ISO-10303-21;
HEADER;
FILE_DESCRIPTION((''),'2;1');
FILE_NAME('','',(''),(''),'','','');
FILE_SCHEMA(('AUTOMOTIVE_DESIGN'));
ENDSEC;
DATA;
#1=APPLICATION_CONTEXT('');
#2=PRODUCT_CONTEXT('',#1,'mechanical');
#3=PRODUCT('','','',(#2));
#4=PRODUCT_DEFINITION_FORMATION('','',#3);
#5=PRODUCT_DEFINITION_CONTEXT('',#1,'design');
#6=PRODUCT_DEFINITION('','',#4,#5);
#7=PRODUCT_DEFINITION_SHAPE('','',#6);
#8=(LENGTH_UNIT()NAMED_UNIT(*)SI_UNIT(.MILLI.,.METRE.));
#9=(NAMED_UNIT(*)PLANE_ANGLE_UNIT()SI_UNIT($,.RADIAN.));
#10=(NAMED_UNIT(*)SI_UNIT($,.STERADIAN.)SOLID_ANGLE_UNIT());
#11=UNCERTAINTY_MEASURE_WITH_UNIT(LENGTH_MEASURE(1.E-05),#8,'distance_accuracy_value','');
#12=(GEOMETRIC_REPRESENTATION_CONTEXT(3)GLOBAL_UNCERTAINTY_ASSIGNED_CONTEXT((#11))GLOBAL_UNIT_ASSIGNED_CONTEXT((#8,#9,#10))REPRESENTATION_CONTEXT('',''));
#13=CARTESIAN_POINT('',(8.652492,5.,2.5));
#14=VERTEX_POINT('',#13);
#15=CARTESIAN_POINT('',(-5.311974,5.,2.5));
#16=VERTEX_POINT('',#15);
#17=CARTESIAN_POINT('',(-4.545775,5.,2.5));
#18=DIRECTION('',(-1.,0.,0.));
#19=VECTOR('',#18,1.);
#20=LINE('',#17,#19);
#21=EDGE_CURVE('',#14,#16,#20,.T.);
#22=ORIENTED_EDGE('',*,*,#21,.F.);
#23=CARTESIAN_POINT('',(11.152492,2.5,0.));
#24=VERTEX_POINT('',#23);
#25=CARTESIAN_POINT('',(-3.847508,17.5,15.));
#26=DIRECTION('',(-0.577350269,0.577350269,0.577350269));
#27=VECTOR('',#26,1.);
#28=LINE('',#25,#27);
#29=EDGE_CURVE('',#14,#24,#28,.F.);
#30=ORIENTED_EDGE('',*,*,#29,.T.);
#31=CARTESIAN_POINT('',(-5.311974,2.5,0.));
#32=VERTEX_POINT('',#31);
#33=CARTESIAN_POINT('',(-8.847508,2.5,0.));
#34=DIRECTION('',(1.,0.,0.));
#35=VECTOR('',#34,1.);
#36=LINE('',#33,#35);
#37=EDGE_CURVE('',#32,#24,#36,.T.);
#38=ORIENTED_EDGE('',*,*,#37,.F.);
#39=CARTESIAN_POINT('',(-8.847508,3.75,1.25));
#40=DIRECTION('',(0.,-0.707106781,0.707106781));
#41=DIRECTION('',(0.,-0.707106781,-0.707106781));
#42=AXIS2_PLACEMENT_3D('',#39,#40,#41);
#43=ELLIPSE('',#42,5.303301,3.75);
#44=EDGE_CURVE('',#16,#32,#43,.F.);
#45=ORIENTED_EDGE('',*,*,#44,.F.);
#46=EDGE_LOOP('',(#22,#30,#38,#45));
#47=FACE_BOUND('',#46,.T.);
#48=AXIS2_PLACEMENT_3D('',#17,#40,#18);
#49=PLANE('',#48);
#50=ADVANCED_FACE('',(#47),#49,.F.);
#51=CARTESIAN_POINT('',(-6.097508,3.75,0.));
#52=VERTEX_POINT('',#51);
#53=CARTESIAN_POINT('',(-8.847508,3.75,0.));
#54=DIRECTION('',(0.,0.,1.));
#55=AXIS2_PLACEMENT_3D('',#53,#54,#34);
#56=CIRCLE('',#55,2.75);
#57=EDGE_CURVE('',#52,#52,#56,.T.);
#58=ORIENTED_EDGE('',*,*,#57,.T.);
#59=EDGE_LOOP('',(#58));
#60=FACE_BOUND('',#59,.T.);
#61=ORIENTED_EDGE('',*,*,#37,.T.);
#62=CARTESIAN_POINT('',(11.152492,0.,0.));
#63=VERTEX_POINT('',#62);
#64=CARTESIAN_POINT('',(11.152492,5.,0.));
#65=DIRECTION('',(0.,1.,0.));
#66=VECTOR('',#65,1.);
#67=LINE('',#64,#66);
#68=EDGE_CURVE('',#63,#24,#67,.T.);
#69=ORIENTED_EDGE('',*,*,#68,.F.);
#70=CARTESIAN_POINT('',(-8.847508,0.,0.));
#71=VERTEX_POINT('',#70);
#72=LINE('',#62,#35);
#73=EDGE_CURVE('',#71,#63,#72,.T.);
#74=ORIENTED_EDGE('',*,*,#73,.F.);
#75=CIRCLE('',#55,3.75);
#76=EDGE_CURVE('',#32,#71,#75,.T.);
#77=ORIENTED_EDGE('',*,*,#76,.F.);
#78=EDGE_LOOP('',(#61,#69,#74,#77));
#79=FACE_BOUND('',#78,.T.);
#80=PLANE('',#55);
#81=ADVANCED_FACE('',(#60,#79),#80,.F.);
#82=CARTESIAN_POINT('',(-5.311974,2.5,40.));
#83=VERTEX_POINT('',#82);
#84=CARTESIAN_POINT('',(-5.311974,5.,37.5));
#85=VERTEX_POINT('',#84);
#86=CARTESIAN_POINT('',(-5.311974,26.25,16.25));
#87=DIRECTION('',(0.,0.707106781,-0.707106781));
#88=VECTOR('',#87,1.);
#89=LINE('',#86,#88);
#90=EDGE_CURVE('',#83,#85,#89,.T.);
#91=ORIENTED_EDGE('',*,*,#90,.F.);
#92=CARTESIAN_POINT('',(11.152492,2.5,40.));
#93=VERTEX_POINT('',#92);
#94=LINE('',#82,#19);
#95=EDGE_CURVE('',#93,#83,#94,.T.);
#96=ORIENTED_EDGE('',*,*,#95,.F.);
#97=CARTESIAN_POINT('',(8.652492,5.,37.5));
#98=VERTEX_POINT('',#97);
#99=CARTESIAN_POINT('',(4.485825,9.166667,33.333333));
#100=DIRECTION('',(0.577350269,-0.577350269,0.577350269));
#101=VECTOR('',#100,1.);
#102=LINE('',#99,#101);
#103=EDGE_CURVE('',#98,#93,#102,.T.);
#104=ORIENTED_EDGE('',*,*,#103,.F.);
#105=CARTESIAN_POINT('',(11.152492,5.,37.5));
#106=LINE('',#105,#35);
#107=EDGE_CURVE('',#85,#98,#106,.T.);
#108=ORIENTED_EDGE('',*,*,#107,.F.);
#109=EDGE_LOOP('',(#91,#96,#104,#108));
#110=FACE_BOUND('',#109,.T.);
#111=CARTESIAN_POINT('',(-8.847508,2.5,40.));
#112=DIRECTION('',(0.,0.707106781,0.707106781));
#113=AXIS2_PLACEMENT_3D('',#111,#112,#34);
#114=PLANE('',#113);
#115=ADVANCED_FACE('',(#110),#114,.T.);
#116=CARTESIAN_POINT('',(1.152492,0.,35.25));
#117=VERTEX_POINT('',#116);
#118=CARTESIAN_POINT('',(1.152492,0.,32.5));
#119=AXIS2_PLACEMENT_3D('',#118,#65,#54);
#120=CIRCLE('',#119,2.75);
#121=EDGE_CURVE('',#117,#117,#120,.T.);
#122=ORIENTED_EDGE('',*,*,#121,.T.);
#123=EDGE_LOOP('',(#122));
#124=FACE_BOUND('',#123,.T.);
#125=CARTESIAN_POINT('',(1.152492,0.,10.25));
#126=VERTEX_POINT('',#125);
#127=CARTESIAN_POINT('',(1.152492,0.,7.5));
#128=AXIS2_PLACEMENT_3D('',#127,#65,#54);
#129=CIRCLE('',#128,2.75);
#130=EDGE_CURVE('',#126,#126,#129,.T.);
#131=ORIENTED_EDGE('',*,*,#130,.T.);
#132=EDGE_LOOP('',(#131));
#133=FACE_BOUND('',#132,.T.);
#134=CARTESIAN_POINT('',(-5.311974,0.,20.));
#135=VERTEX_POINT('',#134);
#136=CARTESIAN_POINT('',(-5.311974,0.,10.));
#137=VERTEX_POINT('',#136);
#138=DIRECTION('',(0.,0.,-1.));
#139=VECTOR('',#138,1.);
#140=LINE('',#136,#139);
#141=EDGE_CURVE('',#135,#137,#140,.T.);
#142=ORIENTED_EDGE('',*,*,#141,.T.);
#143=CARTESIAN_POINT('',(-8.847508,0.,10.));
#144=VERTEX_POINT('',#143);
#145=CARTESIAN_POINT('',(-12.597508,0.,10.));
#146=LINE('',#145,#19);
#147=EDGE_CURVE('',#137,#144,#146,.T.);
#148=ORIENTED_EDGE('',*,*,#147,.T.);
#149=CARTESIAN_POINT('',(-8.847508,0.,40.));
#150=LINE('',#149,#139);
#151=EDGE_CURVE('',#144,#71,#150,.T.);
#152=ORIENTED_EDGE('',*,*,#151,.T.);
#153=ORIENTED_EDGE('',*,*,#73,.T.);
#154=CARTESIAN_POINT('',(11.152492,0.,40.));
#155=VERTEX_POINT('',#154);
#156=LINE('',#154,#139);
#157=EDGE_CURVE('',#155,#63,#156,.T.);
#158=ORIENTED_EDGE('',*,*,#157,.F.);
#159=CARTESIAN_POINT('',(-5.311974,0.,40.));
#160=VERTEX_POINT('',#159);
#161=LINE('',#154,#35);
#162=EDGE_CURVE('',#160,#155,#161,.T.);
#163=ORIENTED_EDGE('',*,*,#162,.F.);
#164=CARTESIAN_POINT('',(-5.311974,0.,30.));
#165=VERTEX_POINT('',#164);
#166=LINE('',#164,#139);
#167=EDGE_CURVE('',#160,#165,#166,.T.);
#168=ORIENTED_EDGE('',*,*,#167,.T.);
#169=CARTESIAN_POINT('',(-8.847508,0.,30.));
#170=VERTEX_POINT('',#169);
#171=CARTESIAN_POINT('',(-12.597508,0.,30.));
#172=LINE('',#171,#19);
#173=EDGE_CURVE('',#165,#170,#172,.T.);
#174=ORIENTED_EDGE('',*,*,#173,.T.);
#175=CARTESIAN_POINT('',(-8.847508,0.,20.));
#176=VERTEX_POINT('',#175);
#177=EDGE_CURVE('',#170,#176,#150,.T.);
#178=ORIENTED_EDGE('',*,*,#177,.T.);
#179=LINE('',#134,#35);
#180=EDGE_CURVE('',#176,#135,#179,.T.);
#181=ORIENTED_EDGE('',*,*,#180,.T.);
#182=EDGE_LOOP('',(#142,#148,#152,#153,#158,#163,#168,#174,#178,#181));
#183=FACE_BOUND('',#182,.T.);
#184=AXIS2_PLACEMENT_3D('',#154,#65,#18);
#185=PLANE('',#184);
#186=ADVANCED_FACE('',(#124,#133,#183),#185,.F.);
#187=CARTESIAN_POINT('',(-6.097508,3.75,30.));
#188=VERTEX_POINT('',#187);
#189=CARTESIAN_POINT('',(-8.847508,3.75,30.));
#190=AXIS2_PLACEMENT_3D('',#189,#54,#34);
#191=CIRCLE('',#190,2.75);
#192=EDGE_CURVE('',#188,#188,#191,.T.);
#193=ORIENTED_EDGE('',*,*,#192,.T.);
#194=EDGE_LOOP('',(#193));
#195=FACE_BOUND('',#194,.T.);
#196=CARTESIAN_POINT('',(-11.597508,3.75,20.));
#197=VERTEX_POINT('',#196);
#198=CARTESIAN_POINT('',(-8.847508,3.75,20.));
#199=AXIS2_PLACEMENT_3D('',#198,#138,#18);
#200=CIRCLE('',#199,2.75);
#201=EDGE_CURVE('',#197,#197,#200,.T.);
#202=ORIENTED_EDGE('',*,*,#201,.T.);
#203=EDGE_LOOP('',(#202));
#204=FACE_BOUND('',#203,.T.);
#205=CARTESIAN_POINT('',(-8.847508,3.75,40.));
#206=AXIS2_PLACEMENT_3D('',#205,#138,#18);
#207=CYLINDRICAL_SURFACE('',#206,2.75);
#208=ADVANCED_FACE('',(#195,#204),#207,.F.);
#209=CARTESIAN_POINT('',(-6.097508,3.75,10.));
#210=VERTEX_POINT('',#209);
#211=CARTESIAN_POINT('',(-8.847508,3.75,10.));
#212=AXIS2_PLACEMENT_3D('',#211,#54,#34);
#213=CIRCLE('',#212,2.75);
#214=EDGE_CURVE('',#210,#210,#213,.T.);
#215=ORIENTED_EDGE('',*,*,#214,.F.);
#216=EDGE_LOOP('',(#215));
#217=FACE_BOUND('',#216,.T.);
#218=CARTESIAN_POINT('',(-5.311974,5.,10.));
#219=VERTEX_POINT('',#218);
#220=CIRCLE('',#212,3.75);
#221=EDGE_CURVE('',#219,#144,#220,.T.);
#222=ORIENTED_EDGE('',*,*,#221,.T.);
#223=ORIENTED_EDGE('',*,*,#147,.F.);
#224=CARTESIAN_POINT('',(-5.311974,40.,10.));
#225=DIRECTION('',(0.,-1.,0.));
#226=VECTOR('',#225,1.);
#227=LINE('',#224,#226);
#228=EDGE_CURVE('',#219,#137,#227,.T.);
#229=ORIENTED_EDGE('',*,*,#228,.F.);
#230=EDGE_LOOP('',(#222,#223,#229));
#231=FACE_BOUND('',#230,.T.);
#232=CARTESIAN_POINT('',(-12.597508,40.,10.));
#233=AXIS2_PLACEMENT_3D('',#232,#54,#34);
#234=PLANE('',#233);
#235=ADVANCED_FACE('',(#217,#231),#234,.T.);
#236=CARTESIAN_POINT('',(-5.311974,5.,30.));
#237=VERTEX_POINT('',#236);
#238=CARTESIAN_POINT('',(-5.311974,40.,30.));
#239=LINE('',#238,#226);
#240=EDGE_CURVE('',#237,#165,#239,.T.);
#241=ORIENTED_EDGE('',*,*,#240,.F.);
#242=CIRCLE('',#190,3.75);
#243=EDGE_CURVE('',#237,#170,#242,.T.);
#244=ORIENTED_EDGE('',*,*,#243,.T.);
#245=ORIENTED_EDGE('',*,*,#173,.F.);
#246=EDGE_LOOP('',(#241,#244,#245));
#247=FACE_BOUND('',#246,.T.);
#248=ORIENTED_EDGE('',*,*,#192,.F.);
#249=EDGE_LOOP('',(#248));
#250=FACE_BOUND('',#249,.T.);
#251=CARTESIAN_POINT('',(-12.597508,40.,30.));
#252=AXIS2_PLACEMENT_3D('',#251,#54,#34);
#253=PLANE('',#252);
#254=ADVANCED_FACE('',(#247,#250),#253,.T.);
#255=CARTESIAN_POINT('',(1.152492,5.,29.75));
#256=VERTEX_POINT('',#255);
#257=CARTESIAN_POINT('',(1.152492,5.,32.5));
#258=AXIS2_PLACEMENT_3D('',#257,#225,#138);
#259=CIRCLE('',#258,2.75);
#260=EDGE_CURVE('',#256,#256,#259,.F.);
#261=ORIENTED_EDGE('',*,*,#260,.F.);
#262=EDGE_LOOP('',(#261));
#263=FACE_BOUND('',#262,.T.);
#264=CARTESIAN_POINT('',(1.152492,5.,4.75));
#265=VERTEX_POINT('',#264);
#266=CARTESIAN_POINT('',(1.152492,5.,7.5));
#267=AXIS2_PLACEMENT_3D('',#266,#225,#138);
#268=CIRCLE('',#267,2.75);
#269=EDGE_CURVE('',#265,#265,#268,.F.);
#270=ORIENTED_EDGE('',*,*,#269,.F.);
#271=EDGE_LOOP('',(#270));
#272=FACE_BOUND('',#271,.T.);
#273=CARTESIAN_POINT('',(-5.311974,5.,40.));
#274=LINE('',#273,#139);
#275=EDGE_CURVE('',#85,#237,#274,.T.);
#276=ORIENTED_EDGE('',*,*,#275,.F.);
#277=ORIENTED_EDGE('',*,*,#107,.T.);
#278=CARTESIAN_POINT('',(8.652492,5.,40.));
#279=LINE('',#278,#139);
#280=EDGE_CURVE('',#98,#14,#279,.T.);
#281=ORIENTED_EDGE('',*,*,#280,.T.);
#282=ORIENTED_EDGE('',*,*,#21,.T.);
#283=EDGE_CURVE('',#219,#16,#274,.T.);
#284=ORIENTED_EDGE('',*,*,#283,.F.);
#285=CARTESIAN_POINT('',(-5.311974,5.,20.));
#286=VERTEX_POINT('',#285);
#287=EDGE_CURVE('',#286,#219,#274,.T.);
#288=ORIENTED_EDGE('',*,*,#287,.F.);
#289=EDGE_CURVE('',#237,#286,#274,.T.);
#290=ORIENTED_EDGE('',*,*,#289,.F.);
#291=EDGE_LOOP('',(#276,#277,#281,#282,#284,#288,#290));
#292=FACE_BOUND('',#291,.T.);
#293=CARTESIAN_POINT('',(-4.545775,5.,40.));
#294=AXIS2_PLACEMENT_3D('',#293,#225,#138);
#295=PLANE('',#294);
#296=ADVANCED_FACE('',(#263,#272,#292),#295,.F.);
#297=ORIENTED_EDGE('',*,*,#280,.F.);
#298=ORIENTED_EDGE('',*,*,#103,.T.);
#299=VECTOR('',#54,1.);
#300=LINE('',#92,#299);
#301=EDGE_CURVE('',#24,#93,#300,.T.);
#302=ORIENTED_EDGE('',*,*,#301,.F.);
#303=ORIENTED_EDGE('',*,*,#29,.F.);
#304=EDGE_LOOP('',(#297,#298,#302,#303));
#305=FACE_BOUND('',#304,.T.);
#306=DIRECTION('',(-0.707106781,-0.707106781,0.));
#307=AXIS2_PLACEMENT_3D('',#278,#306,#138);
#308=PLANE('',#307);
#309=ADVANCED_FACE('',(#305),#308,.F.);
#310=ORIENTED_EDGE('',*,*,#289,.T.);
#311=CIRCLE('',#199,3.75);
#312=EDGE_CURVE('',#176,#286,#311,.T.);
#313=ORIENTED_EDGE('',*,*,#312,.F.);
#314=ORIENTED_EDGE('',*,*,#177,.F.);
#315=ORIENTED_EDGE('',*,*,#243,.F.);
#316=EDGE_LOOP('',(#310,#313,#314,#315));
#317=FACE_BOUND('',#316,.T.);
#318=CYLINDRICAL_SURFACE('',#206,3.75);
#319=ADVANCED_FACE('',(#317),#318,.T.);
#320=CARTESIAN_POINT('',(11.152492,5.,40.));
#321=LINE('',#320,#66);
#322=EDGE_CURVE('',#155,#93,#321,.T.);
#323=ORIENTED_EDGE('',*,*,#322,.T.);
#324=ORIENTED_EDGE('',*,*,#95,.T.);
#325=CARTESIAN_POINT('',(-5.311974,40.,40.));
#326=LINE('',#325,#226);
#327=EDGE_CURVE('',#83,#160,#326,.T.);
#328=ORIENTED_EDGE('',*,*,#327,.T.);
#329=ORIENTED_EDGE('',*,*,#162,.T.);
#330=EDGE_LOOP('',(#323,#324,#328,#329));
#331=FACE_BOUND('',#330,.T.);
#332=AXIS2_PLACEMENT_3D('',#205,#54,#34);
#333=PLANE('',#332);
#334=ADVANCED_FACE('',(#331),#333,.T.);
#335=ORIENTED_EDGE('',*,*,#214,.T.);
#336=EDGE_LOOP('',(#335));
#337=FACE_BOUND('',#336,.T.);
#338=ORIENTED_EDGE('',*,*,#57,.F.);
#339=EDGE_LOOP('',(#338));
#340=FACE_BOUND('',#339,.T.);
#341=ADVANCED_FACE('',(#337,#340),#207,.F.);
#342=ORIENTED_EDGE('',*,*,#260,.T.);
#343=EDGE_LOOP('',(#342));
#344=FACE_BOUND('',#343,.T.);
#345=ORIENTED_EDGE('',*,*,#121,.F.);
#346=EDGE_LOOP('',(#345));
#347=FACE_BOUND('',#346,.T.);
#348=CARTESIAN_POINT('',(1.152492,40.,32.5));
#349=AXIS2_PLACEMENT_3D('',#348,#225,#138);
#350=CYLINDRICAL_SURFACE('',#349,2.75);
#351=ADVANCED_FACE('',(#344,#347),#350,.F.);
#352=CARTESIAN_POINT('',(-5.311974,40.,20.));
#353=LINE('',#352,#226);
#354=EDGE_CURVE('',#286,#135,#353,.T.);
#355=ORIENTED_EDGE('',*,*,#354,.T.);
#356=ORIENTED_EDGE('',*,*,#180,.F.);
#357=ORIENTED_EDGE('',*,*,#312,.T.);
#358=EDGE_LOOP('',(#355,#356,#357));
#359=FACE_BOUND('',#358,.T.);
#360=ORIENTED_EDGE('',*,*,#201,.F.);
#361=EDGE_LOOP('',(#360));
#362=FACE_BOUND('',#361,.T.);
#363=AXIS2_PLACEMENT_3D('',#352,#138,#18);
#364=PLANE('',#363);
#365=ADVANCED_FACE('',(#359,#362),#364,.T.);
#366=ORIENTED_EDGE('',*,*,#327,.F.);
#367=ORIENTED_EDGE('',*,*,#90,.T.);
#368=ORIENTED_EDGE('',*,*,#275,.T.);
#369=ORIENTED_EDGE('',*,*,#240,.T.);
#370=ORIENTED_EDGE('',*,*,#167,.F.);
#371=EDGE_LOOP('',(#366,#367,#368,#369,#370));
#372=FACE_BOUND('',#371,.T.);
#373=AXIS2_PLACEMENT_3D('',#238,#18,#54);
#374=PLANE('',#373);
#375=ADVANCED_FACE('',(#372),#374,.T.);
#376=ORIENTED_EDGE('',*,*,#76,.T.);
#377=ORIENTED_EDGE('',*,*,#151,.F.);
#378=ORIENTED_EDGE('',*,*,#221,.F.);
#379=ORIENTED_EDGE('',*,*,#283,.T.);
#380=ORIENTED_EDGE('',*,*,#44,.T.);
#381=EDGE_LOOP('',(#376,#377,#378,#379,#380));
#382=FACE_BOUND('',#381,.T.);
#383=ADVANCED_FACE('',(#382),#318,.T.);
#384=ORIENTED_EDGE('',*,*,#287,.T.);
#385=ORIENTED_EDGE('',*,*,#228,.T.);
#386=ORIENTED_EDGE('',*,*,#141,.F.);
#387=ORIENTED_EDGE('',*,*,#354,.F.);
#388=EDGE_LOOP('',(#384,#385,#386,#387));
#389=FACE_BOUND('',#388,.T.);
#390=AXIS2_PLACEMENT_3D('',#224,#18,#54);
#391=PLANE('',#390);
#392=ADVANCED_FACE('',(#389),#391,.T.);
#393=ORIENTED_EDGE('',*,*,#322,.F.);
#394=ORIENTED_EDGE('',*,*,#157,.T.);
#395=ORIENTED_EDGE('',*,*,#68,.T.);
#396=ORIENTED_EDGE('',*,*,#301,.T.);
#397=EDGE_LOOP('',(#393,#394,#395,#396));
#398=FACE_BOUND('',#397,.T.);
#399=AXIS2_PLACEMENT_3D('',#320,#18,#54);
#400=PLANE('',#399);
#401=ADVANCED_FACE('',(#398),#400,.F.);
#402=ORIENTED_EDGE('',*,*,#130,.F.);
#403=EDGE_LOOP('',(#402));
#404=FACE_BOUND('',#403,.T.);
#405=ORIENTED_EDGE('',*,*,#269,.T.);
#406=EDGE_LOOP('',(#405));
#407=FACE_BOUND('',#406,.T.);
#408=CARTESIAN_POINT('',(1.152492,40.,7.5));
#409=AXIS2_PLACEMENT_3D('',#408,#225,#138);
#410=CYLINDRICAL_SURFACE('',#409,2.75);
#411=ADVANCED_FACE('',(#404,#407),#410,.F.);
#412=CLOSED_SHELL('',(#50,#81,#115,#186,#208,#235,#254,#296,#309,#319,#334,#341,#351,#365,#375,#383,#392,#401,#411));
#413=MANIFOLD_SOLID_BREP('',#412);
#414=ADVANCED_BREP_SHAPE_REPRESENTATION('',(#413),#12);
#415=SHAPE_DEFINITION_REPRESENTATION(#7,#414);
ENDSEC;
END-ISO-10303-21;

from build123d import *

# Parameters (mm, degrees)
IZIM1_R                     = 2.75
Y_KSEKLIK_EKSTR_ZYON1_DEPTH = 40
IZIM2_R                     = 2.75
IZIM2_W                     = 7.285533906
IZIM2_H                     = 10
KES_EKSTR_ZYON1_DEPTH       = 40
PAH1_SIZE                   = 2.5


with BuildPart() as part:
    # Çizim1 → Yükseklik-Ekstrüzyon1 (new body)
    with BuildSketch(Plane.XY):
        with BuildLine():
            Line((-4.545775403, 5), (11.152492002, 5))
            Line((11.152492002, 5), (11.152492002, 0))
            Line((11.152492002, 0), (-8.847507998, 0))
            ThreePointArc((-8.847507998, 0), (-11.909370176, 5.915063509), (-5.311974092, 5))
            Line((-5.311974092, 5), (-4.545775403, 5))
        make_face()
        with Locations((-8.847507998, 3.75)):
            Circle(IZIM1_R, mode=Mode.SUBTRACT)
    extrude(amount=Y_KSEKLIK_EKSTR_ZYON1_DEPTH)

    # Çizim2 → Kes-Ekstrüzyon1 (cut)
    with BuildSketch(Plane(origin=(0, 0, 0), x_dir=(1, 0, 0), z_dir=(0, 1, 0))):
        with Locations(Location((1.152492002, -7.5, 0), (0, 0, 90))):
            Circle(IZIM2_R)
        with Locations(Location((1.152492002, -32.5, 0), (0, 0, 90))):
            Circle(IZIM2_R)
        with Locations((-8.954741045, -35)):
            Rectangle(IZIM2_W, IZIM2_H)
        with Locations((-8.954741045, -15)):
            Rectangle(IZIM2_W, IZIM2_H)
    extrude(amount=KES_EKSTR_ZYON1_DEPTH, mode=Mode.SUBTRACT)

    # Pah1
    pah1_edges = [part.edges().sort_by_distance(p)[0] for p in [
        (2.920258955, 5, 40),
        (2.920258955, 5, 0),
        (11.152492002, 5, 20),
    ]]
    chamfer(pah1_edges, length=PAH1_SIZE)


solid = part.part
